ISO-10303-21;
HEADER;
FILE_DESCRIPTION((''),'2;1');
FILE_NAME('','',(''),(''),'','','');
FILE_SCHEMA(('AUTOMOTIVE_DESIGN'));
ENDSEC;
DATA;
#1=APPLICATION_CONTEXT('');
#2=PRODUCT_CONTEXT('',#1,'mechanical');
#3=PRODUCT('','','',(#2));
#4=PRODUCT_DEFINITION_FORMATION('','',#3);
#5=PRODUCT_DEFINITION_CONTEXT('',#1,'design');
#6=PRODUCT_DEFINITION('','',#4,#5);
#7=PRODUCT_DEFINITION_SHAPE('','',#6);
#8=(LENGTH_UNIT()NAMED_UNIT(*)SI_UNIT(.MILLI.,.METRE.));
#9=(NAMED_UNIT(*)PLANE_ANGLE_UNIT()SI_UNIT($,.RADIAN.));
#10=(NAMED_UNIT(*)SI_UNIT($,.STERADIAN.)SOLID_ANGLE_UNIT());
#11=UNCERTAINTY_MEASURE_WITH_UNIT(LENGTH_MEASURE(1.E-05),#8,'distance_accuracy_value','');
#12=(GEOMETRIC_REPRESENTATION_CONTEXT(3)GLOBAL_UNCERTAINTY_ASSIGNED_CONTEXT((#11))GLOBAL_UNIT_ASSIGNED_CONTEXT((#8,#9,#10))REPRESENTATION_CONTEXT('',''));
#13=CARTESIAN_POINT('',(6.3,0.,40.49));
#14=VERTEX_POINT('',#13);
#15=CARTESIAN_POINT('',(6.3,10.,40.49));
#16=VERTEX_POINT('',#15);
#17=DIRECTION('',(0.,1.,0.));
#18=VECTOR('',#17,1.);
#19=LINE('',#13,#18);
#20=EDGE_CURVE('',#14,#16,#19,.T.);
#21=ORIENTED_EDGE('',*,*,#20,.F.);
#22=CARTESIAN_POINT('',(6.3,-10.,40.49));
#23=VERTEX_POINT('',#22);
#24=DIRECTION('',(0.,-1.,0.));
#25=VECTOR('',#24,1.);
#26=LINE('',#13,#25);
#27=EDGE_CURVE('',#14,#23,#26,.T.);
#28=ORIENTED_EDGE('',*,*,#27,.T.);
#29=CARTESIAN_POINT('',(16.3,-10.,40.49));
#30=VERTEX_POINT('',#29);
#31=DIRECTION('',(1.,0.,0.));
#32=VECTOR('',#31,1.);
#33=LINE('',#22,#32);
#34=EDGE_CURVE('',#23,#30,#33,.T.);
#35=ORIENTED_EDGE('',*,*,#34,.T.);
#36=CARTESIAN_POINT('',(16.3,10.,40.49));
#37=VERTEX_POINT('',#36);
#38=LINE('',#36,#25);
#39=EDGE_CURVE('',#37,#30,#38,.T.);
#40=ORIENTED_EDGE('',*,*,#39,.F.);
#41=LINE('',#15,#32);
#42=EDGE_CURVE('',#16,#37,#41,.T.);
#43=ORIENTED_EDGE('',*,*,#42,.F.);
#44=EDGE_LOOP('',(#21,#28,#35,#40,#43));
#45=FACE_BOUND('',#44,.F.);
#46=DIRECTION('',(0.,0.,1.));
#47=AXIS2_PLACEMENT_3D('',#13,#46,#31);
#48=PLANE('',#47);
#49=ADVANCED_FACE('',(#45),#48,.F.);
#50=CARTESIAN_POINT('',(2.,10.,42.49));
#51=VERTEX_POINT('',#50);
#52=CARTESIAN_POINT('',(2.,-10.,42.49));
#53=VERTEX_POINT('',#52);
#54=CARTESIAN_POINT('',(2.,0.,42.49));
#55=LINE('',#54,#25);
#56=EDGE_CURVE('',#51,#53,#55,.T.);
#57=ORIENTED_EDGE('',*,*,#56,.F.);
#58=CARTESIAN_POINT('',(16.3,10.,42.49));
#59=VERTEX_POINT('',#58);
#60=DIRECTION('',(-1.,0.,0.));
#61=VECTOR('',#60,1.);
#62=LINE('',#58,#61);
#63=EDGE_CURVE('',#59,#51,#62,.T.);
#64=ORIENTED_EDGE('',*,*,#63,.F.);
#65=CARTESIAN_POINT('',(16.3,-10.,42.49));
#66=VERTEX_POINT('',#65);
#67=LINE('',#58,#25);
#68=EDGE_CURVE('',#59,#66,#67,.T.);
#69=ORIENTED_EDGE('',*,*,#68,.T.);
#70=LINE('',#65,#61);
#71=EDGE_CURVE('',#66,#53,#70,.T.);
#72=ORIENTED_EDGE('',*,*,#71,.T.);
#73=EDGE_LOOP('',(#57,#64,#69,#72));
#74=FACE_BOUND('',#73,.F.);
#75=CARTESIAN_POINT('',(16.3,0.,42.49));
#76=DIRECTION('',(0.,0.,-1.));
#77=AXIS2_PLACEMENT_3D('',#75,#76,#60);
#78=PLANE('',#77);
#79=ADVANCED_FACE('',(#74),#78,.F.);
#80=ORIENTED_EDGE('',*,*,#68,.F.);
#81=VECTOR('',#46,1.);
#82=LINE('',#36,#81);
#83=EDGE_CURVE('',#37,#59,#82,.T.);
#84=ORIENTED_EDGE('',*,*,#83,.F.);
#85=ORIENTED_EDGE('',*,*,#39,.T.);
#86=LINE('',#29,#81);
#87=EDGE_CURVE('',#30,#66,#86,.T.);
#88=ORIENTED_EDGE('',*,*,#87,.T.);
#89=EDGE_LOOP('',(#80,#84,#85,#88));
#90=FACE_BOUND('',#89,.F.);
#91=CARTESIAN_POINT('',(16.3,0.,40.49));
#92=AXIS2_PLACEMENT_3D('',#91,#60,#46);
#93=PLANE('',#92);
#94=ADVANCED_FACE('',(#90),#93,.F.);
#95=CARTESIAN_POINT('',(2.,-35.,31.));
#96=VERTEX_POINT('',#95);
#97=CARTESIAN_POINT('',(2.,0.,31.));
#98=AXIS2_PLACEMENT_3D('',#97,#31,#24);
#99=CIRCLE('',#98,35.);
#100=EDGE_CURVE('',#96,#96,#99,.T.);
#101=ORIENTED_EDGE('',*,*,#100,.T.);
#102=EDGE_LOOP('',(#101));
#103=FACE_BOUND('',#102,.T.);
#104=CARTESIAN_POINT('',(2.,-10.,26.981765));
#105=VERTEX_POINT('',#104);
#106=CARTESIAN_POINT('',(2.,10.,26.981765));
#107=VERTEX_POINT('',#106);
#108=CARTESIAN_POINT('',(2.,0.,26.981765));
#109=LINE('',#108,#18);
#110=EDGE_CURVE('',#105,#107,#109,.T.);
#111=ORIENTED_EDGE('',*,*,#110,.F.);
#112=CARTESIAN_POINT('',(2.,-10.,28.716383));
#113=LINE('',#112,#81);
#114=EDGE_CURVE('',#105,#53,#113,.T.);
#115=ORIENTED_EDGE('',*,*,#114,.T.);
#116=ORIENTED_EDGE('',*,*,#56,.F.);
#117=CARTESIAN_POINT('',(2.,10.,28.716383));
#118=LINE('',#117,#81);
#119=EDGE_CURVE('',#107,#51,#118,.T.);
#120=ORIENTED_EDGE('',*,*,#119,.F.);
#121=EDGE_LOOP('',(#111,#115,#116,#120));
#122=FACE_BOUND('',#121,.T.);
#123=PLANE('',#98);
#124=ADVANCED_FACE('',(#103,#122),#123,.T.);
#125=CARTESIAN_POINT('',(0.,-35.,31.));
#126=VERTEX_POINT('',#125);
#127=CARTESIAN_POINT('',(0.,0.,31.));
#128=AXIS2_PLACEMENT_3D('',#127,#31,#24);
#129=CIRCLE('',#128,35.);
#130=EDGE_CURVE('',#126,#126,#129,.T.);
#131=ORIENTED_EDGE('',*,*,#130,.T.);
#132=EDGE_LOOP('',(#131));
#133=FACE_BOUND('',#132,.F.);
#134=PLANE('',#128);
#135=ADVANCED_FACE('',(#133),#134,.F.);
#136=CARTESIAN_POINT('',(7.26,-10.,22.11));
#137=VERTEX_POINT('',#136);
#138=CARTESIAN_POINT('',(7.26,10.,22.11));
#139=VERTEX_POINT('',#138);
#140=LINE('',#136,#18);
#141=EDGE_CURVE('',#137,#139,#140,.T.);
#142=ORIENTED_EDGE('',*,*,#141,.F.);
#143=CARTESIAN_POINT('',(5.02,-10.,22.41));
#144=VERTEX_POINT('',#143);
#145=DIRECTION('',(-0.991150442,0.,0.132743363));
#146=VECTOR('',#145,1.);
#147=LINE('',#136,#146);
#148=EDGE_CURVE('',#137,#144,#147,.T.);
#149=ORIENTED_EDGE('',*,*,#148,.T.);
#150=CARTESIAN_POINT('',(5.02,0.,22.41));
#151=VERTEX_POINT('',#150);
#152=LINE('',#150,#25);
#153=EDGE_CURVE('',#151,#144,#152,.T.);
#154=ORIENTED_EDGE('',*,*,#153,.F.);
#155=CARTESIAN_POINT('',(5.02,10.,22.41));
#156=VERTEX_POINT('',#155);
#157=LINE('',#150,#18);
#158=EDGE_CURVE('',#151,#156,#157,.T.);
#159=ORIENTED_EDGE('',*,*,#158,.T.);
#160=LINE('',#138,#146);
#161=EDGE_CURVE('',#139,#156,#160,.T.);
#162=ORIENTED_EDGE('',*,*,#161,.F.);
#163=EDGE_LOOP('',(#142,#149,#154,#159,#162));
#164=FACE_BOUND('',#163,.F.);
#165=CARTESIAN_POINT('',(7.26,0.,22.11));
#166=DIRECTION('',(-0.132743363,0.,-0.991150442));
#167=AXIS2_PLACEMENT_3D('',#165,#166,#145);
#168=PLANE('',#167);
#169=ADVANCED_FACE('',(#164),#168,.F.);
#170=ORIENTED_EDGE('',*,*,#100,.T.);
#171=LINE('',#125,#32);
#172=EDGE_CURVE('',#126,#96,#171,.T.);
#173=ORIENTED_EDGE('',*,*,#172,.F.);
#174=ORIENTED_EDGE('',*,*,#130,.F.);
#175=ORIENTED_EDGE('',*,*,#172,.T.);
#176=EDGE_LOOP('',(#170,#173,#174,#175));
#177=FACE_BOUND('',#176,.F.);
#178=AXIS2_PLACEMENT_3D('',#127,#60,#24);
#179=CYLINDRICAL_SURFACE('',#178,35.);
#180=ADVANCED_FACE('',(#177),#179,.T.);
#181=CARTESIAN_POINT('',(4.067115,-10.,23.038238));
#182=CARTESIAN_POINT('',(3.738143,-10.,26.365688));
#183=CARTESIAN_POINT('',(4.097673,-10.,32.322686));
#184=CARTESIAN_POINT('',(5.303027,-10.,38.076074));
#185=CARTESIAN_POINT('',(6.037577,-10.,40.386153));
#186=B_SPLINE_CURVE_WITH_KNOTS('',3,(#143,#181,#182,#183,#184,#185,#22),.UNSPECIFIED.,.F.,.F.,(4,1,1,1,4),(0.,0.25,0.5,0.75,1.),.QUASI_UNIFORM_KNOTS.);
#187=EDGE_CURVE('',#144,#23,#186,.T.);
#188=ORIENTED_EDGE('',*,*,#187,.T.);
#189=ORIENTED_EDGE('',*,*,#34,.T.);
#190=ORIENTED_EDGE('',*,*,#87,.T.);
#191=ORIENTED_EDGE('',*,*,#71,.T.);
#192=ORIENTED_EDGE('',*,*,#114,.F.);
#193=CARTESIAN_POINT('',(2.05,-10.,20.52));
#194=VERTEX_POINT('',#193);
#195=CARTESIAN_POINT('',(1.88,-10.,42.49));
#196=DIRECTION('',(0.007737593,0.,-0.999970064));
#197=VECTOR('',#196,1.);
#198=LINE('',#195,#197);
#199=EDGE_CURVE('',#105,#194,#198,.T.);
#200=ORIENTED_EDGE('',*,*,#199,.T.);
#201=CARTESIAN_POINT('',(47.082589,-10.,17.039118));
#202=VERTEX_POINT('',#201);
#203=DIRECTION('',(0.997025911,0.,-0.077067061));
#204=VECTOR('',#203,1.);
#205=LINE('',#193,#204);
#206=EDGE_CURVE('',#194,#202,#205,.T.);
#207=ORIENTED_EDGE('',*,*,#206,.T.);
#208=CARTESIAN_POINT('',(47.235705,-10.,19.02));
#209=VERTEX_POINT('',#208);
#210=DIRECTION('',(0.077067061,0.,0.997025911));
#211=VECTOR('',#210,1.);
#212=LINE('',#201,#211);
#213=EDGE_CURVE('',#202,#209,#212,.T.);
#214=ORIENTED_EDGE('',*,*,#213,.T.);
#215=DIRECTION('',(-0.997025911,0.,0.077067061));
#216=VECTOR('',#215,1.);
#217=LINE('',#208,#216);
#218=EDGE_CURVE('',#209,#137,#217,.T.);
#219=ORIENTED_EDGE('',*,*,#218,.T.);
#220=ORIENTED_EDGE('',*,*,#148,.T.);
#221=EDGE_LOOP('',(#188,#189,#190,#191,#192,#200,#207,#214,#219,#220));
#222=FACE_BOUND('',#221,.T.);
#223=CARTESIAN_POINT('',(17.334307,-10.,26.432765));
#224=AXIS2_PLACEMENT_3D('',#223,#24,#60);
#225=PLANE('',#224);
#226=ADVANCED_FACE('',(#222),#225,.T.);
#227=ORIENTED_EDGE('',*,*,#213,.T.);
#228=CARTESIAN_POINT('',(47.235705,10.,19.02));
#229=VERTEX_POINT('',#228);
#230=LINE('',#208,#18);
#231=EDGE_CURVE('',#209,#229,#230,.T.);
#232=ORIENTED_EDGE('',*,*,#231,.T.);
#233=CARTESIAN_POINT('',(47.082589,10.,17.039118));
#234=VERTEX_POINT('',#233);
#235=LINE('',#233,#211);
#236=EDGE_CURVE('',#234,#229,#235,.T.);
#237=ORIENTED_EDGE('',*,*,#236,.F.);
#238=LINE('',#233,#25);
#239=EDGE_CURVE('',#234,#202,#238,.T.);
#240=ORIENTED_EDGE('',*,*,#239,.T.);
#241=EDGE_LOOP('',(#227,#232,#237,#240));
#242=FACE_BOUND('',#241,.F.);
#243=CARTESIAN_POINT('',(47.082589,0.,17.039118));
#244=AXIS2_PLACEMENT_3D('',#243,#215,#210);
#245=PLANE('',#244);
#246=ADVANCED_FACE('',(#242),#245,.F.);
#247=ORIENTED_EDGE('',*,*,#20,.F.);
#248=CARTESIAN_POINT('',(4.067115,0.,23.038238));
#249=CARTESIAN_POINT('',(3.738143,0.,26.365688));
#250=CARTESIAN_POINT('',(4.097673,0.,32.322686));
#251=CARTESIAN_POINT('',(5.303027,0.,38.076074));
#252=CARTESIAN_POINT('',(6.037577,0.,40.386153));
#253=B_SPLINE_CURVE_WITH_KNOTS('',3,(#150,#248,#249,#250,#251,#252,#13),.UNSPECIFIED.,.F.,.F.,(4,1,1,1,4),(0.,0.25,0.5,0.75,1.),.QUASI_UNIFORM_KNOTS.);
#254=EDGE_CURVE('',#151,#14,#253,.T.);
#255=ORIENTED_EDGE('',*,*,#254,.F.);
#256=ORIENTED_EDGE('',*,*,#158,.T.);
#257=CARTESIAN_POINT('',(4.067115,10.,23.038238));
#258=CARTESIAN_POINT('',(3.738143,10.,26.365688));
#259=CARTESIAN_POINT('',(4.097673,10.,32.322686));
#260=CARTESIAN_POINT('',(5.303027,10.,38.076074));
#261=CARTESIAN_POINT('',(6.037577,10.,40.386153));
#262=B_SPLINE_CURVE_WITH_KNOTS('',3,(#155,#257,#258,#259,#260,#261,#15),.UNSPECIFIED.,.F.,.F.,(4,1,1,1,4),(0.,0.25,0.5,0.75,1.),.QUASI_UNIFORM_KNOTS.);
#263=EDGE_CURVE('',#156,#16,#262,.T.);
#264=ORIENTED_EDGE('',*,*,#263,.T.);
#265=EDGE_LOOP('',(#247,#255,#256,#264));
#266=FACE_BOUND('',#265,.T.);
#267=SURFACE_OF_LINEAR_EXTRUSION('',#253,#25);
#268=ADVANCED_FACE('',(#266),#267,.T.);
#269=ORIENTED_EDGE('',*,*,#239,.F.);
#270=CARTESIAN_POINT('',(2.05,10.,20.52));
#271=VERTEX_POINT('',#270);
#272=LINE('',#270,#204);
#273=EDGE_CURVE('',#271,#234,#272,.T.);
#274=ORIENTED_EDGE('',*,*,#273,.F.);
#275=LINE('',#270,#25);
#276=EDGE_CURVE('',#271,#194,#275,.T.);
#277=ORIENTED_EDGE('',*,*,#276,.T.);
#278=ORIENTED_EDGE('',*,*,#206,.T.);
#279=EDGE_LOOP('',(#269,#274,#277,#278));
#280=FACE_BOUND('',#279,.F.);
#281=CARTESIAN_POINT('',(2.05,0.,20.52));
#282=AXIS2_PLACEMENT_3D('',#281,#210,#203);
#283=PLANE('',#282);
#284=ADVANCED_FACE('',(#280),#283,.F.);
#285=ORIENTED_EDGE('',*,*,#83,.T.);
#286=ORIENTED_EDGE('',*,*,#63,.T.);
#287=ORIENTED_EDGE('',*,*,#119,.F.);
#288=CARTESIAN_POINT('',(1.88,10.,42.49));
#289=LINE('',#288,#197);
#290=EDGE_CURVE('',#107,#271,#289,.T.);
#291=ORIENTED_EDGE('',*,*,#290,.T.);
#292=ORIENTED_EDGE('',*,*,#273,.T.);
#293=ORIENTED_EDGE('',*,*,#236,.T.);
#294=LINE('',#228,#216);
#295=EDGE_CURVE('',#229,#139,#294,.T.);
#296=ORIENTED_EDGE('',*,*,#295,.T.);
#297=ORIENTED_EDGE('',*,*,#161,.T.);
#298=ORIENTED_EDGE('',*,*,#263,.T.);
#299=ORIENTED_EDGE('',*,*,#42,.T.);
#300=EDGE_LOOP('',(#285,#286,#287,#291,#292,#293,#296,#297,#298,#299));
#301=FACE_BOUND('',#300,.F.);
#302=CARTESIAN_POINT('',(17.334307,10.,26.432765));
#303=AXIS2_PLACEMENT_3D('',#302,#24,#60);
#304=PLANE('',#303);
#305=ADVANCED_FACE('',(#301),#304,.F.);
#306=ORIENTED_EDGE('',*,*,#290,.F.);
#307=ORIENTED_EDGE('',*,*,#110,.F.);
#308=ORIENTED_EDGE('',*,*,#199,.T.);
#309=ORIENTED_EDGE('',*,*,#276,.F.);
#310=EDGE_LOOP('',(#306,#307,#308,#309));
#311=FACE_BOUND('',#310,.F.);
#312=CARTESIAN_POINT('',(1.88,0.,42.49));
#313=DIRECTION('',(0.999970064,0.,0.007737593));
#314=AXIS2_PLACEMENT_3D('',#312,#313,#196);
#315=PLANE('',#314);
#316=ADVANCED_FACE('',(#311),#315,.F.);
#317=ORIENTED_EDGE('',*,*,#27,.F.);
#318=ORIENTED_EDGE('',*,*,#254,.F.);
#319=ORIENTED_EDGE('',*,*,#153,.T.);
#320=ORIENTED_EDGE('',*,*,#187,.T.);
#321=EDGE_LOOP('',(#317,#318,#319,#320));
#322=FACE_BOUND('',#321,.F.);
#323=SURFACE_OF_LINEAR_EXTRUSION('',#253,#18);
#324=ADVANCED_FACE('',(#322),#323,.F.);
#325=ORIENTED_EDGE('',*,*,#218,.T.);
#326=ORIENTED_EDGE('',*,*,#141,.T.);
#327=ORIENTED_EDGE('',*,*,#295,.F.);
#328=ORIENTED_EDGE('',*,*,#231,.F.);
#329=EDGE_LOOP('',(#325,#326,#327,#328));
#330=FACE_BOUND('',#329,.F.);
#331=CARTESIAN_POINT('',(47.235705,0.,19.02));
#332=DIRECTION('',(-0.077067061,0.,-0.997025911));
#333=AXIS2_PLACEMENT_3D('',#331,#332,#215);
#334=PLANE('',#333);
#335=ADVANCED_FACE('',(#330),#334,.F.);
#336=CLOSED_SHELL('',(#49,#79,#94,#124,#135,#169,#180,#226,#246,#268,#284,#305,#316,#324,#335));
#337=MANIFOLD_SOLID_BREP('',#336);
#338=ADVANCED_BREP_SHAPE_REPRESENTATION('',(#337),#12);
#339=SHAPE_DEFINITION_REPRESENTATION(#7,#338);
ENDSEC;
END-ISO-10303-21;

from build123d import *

# Parameters (mm, degrees)
CYLINDER001_R             = 35
CYLINDER001_DEPTH         = 2
PAD002_DEPTH              = 10
FUSION002_PLACEMENT_ANGLE = 270


with BuildPart() as cilindro_grande:
    # Cylinder001 → Cylinder001 (new body)
    with BuildSketch(Plane(origin=(-16.3, 0, 0), x_dir=(0, 0, -1), z_dir=(1, 0, 0))):
        Circle(CYLINDER001_R)
    extrude(amount=CYLINDER001_DEPTH)


with BuildPart() as soporte_tv_plano:
    # Sketch005 → Pad002 (new body, symmetric)
    with BuildSketch(Plane.XY):
        with BuildLine():
            add(Edge.make_bspline(
                [(-11.28, 8.59), (-12.232885, 7.961762), (-12.561857, 4.634312), (-12.202327, -1.322686), (-10.996973, -7.076074), (-10.262423, -9.386153), (-10, -9.49)],
                knots=[0, 0, 0, 0, 0.25, 0.5, 0.75, 1, 1, 1, 1], degree=3))
            Line((-10, -9.49), (0, -9.49))
            Line((0, -9.49), (0, -11.49))
            Line((0, -11.49), (-14.42, -11.49))
            Line((-14.42, -11.49), (-14.25, 10.48))
            Line((-14.25, 10.48), (30.7825887629, 13.9608816937))
            Line((30.7825887629, 13.9608816937), (30.9357048732, 11.98))
            Line((30.9357048732, 11.98), (-9.04, 8.89))
            Line((-9.04, 8.89), (-11.28, 8.59))
        make_face()
    extrude(amount=PAD002_DEPTH, both=True)

    # Fusion002: union cilindro_grande
    add(cilindro_grande.part)


with BuildPart() as soporte_tv_plano_1:
    # Fusion002 placement: moved
    add(soporte_tv_plano.part.moved(Location((16.3, 0, 31))).rotate(Axis((16.3, 0, 31), (1, 0, 0)), FUSION002_PLACEMENT_ANGLE))


solid = soporte_tv_plano_1.part
